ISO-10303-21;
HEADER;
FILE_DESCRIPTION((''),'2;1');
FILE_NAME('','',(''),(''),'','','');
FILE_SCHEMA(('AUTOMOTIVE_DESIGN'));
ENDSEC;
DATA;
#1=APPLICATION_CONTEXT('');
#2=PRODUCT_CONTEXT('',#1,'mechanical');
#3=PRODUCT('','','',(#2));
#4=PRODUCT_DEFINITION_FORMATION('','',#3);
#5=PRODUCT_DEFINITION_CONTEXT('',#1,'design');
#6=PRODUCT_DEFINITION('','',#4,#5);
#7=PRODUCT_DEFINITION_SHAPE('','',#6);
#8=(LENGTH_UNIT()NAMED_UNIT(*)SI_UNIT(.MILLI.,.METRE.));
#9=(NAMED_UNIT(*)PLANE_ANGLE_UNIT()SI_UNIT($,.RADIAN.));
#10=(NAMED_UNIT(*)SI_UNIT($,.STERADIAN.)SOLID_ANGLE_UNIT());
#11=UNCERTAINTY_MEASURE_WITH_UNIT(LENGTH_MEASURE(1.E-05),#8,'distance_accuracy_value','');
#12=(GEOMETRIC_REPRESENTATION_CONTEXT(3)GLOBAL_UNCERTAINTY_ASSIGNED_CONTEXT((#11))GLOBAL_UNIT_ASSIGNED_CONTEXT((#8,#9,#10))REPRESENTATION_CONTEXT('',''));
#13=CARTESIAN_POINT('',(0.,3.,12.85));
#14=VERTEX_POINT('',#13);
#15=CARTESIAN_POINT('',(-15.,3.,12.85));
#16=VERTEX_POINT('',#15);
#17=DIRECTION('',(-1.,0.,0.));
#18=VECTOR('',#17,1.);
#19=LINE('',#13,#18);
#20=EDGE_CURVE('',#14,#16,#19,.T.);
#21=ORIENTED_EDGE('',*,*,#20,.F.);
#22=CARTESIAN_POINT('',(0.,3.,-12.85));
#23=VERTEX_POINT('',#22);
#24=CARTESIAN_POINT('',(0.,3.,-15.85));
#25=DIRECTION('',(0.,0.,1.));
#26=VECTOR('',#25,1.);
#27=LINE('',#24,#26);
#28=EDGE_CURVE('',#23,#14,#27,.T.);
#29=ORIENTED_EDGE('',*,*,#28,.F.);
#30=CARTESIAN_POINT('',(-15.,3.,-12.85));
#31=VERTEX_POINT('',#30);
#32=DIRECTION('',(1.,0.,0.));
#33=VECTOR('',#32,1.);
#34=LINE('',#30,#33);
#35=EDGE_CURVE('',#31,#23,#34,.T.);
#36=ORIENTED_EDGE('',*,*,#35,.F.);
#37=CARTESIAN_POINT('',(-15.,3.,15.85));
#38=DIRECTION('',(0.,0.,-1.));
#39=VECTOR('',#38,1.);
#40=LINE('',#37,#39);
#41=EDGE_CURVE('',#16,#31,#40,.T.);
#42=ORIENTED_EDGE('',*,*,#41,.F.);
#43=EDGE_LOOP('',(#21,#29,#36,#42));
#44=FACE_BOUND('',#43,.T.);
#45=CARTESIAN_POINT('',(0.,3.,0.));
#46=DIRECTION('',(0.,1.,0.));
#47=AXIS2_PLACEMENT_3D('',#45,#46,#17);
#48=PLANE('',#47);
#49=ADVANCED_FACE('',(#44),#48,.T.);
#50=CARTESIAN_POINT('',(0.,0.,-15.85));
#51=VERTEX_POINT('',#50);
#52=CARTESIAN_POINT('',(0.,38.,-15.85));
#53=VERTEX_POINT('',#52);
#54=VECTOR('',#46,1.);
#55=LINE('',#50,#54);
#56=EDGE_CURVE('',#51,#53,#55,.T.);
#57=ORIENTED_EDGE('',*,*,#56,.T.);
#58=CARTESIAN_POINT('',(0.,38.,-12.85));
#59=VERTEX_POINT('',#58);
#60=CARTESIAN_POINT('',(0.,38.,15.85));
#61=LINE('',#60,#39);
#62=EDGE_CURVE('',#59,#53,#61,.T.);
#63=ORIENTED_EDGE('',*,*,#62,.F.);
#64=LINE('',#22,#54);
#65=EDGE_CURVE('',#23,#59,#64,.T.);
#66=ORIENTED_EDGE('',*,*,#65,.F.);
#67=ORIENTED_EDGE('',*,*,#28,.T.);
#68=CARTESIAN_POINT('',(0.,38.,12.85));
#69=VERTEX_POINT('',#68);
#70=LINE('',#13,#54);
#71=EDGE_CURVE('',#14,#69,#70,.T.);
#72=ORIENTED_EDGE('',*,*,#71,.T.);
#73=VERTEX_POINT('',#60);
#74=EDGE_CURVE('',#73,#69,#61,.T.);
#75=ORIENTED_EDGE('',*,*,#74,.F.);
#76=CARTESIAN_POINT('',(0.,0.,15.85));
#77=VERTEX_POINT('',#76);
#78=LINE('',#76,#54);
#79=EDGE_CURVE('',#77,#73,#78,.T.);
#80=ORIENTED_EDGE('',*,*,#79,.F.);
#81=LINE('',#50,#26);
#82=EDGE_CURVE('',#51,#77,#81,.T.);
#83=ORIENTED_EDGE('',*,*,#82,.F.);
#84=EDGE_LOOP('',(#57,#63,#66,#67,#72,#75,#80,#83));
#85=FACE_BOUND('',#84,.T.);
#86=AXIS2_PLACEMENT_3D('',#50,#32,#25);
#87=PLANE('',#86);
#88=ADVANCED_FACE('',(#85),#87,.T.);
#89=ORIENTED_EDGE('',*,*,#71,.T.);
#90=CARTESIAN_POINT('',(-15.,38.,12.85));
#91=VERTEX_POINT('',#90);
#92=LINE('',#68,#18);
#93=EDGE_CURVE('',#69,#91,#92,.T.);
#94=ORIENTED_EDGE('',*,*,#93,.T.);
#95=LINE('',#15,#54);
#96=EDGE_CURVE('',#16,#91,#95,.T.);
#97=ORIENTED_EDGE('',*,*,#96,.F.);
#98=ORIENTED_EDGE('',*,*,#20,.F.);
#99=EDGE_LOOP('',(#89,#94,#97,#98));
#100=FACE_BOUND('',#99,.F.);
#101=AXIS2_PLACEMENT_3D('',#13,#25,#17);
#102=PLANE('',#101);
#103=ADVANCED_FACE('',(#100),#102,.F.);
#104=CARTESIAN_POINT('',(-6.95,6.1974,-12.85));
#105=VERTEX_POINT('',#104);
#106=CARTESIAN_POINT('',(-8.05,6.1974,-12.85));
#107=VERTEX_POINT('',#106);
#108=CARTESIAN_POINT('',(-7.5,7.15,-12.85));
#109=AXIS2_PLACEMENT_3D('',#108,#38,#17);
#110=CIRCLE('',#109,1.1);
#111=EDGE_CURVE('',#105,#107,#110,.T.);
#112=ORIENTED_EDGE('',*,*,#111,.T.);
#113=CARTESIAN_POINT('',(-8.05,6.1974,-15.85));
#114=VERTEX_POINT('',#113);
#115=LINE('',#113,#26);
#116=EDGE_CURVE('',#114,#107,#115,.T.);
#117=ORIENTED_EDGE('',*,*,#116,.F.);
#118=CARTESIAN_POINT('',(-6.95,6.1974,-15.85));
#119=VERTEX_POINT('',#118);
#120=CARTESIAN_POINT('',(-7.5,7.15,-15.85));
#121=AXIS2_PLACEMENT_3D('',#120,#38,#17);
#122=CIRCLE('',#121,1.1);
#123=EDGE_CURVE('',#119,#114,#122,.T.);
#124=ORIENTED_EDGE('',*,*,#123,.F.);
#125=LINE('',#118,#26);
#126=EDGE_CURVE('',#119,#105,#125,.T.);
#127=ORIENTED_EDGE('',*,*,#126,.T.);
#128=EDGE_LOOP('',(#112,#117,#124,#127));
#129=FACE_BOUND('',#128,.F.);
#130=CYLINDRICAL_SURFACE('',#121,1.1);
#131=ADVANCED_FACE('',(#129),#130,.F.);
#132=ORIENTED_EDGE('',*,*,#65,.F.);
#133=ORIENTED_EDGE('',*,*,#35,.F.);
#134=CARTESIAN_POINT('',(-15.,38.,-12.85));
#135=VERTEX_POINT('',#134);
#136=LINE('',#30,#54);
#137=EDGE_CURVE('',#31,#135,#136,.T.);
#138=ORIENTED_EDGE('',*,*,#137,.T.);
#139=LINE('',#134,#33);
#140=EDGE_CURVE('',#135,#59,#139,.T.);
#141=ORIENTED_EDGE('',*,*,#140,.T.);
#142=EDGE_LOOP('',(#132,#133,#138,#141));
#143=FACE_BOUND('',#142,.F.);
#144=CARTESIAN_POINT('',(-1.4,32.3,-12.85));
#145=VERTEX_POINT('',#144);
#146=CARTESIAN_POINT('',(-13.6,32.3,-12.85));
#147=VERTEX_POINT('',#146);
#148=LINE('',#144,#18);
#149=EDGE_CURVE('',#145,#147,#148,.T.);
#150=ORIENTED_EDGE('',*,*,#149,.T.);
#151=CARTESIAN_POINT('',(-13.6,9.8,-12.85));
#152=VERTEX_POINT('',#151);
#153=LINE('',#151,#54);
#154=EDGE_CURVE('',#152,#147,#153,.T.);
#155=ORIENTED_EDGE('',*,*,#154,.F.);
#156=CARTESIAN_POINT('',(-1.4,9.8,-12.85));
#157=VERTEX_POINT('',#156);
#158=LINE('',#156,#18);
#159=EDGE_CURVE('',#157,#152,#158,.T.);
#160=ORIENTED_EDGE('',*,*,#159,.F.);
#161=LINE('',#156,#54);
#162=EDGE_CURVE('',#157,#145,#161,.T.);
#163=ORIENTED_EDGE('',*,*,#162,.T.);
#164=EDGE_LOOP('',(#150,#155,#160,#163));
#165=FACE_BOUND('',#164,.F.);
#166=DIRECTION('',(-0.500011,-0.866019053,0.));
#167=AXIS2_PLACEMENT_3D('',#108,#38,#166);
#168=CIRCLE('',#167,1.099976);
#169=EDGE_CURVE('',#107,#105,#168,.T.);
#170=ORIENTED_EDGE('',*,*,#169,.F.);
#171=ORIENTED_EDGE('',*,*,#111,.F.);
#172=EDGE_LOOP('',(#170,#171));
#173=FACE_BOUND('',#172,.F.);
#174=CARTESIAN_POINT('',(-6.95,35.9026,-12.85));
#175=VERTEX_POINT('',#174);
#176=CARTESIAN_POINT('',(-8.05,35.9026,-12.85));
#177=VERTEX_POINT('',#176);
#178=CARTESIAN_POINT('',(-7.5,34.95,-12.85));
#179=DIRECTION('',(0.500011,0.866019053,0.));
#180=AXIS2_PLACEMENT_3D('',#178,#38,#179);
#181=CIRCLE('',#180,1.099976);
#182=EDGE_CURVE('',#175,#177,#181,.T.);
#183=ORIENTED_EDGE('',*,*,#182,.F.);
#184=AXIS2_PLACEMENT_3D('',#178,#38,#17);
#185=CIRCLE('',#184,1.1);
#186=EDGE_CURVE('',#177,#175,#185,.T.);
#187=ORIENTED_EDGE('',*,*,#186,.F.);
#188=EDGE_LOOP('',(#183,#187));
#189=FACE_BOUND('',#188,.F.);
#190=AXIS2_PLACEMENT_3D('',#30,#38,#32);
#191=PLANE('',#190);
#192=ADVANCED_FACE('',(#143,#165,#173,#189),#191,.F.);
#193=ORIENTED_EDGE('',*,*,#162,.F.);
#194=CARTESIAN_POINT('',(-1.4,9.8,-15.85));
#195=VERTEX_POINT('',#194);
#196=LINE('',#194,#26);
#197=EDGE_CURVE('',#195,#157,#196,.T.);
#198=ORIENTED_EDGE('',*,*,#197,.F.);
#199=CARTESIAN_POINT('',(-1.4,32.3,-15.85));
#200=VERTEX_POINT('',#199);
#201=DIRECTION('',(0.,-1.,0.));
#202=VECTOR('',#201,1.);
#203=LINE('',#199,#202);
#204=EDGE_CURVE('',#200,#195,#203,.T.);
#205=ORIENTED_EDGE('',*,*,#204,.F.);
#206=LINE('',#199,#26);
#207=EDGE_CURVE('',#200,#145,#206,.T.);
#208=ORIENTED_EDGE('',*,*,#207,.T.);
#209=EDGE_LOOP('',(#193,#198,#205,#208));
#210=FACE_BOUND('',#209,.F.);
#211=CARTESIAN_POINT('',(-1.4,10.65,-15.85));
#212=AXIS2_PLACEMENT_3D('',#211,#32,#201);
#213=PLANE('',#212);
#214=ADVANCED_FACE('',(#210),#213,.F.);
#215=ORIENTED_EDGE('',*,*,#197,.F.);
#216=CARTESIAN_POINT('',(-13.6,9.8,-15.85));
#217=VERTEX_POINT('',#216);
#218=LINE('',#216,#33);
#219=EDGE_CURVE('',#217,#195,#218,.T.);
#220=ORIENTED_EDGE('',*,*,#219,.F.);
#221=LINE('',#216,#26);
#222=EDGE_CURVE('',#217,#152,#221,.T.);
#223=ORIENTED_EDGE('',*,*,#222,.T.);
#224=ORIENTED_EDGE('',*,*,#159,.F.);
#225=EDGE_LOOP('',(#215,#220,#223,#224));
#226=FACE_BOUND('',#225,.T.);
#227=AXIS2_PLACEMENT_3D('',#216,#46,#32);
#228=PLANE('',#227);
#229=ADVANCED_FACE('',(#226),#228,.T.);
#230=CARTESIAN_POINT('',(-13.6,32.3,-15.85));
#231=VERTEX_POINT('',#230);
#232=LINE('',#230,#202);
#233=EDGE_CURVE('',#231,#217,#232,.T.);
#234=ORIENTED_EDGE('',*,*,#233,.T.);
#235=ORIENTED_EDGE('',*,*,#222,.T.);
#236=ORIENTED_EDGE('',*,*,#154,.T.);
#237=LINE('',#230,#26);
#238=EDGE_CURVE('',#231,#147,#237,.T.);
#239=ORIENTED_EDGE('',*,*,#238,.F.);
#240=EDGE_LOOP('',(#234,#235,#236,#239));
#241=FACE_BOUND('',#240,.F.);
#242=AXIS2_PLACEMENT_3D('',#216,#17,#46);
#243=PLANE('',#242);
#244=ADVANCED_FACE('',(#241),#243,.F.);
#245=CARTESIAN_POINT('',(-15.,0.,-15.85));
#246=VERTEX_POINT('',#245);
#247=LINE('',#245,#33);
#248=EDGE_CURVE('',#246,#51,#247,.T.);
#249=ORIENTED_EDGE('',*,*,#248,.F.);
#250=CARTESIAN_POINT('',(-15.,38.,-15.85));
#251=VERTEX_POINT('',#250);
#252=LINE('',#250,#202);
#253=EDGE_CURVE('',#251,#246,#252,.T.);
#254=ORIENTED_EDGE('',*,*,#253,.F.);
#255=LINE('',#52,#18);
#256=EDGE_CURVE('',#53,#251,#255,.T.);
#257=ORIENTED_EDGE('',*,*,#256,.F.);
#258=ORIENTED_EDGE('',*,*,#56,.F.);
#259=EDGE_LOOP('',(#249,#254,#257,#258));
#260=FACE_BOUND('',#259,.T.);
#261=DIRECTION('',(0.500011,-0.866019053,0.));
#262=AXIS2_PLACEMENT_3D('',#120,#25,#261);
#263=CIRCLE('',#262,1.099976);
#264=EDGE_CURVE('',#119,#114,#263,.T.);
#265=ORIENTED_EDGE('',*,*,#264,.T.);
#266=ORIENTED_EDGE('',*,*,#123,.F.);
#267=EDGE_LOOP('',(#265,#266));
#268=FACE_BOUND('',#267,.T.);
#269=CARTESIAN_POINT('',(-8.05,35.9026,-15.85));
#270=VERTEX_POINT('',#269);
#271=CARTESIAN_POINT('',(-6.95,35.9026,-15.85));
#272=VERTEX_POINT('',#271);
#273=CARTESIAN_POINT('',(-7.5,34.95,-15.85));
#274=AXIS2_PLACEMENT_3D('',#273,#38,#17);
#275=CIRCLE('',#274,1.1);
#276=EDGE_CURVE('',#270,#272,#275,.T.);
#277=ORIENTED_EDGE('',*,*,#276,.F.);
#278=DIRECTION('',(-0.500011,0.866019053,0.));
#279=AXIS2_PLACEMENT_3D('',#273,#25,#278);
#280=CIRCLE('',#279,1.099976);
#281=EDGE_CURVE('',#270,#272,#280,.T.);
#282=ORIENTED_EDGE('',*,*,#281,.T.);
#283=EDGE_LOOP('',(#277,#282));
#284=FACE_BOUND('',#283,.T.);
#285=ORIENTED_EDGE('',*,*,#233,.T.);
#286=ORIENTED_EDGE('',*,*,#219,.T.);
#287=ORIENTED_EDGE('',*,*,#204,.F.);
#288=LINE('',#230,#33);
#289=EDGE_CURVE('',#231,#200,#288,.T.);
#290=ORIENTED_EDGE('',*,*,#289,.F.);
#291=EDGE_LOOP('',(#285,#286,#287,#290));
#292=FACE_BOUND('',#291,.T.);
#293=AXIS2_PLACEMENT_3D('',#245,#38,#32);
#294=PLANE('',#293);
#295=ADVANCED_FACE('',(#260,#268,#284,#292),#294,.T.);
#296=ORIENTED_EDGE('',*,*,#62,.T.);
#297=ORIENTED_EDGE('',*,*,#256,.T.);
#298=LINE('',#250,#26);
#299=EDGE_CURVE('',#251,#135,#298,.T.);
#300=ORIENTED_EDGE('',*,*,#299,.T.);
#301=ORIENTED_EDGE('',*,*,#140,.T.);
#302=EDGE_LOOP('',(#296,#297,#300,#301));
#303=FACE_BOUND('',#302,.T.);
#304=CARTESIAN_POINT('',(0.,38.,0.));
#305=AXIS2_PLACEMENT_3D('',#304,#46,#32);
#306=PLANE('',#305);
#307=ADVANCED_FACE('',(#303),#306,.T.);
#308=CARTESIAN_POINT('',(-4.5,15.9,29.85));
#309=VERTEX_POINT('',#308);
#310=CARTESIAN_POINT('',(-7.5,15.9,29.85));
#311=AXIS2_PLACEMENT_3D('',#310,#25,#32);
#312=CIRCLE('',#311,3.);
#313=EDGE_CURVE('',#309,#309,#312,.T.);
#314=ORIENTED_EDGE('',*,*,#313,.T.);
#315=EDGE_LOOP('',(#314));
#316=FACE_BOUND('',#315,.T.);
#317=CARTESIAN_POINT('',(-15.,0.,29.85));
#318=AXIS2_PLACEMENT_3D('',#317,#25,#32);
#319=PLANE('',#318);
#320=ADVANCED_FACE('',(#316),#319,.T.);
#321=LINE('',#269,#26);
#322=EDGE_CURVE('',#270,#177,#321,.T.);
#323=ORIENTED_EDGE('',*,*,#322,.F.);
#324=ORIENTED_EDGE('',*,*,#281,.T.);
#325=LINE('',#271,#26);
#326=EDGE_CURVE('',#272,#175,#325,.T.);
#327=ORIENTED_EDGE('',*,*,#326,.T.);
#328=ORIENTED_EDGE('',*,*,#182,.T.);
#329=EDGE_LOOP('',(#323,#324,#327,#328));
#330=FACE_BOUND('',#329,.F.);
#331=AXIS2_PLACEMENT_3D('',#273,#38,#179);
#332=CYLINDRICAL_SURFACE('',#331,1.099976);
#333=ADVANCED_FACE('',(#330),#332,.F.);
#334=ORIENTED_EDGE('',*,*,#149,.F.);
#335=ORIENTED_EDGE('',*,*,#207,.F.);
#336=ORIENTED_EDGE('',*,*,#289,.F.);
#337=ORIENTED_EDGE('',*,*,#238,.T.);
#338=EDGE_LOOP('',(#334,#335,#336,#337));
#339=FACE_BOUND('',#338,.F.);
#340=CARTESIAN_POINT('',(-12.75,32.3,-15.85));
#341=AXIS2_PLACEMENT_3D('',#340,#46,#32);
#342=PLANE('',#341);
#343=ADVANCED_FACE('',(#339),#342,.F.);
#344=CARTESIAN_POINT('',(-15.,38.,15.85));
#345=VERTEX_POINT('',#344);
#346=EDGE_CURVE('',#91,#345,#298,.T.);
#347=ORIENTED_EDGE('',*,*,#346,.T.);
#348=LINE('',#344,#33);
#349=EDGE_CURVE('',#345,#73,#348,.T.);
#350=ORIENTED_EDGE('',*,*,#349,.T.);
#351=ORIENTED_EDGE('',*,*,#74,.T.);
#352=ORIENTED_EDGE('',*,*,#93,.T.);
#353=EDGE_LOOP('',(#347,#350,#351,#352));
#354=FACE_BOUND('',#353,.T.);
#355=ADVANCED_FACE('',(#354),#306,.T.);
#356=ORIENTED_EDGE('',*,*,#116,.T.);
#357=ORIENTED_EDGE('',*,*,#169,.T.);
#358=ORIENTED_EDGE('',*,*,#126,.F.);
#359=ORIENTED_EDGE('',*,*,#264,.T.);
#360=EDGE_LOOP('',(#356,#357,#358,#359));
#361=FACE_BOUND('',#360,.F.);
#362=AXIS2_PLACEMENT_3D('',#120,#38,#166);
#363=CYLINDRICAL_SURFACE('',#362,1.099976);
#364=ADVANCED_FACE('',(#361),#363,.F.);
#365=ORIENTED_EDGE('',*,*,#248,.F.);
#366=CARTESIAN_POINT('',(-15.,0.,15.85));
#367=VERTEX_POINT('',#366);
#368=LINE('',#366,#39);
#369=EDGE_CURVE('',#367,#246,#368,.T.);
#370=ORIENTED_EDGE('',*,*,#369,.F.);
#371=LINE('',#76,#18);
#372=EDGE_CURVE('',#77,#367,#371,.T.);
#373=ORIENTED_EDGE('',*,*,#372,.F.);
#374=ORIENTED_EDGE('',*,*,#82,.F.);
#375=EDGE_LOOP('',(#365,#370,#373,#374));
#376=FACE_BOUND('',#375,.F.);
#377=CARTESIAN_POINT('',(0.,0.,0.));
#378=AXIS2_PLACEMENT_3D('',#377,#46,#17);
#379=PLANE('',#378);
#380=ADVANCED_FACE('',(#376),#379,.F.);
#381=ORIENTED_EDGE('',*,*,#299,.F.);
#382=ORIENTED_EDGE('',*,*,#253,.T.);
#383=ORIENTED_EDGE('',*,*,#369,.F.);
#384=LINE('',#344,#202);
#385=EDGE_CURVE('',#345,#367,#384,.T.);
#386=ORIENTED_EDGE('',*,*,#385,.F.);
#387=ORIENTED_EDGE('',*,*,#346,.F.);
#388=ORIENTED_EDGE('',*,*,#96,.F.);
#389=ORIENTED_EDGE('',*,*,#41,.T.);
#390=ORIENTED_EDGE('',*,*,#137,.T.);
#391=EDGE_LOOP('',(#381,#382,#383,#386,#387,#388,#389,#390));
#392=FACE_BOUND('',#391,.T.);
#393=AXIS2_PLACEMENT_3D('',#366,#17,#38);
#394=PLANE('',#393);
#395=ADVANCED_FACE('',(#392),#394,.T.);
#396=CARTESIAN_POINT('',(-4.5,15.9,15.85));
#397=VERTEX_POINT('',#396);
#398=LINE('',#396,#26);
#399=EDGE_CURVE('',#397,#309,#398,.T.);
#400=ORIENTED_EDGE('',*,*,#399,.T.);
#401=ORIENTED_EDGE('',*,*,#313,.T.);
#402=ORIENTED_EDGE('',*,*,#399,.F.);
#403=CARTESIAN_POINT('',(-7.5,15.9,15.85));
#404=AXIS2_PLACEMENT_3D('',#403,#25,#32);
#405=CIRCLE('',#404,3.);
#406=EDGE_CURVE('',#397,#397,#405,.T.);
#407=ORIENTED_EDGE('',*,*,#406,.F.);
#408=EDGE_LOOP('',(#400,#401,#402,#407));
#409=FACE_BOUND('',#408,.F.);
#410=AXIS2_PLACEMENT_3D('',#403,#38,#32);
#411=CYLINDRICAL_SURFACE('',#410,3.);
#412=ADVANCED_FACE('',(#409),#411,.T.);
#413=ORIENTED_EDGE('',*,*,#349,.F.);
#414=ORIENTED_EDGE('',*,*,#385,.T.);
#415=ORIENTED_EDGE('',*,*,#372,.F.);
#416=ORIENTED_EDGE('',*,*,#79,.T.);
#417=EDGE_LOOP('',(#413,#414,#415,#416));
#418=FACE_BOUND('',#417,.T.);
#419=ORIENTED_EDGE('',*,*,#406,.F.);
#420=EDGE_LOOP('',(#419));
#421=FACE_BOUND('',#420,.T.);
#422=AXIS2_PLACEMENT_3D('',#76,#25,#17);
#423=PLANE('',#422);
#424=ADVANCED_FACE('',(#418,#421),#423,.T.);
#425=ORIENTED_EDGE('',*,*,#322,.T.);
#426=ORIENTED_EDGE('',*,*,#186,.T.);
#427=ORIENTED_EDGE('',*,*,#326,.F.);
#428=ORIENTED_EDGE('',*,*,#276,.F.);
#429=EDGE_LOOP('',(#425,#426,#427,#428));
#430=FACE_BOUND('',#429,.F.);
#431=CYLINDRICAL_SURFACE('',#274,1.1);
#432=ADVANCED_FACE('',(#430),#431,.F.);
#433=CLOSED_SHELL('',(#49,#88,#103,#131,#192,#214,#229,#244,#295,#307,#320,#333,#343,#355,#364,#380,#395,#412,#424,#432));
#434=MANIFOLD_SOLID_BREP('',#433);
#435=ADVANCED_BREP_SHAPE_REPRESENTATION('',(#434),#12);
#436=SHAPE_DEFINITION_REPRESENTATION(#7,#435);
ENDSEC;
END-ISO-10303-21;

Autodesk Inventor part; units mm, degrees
ref_plane "YZ Plane" through (0, 0, 0) normal (1, 0, 0) x (0, 1, 0)
ref_plane "XZ Plane" through (0, 0, 0) normal (0, 1, 0) x (-1, 0, 0)
ref_plane "XY Plane" through (0, 0, 0) normal (0, 0, 1) x (1, 0, 0)
sketch "Sketch1" plane through (0, 0, 0) normal (0, 1, 0) x (-1, 0, 0)
  line L0 (0, 15.85) -> (15, 15.85)
  line L1 (15, 15.85) -> (15, -15.85)
  line L2 (15, -15.85) -> (0, -15.85)
  line L3 (0, -15.85) -> (0, 15.85)
  point P0 (0, 0)
extrude "Extrusion1" add sketch "Sketch1" along normal blind 3
sketch "Sketch2" plane through (0, 3, 0) normal (0, 1, 0) x (1, 0, 0)
  line L0 (-15, 15.85) -> (-15, -15.85) projected
  line L1 (0, -15.85) -> (0, 15.85) projected
  line L2 (-15, -15.85) -> (0, -15.85)
  line L3 (0, -15.85) -> (0, -12.85)
  line L4 (0, -12.85) -> (-15, -12.85)
  line L5 (-15, -12.85) -> (-15, -15.85)
  line L6 (0, 15.85) -> (-15, 15.85) projected
  line L7 (0, 15.85) -> (-15, 15.85)
  line L8 (-15, 15.85) -> (-15, 12.85)
  line L9 (-15, 12.85) -> (0, 12.85)
  line L10 (0, 12.85) -> (0, 15.85)
  point P0 (0, 0)
  dimension "d5" = 3
  dimension "d6" = 3
extrude "Extrusion2" add sketch "Sketch2" along normal blind 35 contours L6 L1 L9 L0 | L4 L1 L2 L0
sketch "Sketch4" plane through (0, 0, -15.85) normal (0, 0, -1) x (-1, 0, 0)
  arc A0 (8.05, 6.1974) -> (6.95, 6.1974) centre (7.5, 7.15) ccw
  line L0 (8.05, 5) -> (12.75, 5)
  line L1 (2.25, 5) -> (6.95, 5)
  line L2 (1.4, 10.65) -> (1.4, 5.85)
  line L3 (6.95, 37.1) -> (2.25, 37.1)
  line L4 (12.75, 37.1) -> (8.05, 37.1)
  arc A1 (6.95, 35.9026) -> (8.05, 35.9026) centre (7.5, 34.95) ccw
  line L5 (6.95, 37.1) -> (6.95, 35.9026)
  line L6 (8.05, 35.9026) -> (8.05, 37.1)
  line L7 (13.6, 31.45) -> (13.6, 36.25)
  line L8 (13.6, 5.85) -> (13.6, 10.65)
  arc A2 (12.75, 5) -> (13.6, 5.85) centre (12.75, 5.85) ccw
  line L9 (8.05, 5) -> (8.05, 6.1974)
  line L10 (6.95, 6.1974) -> (6.95, 5)
  arc A3 (1.4, 5.85) -> (2.25, 5) centre (2.25, 5.85) ccw
  arc A4 (2.25, 37.1) -> (1.4, 36.25) centre (2.25, 36.25) ccw
  line L11 (1.4, 36.25) -> (1.4, 31.45)
  line L12 (1.4, 27.762) -> (1.4, 31.45)
  line L13 (1.4, 10.65) -> (1.4, 24.638)
  circle A5 centre (7.5, 26.2) radius 2.25
  line L14 (13.6, 31.45) -> (13.6, 27.762)
  line L15 (13.6, 24.638) -> (13.6, 10.65)
  line L16 (2.25, 9.8) -> (12.75, 9.8)
  line L17 (12.75, 32.3) -> (2.25, 32.3)
  arc A6 (2.25, 32.3) -> (1.4, 31.45) centre (2.25, 31.45) ccw
  arc A7 (13.6, 31.45) -> (12.75, 32.3) centre (12.75, 31.45) ccw
  arc A8 (13.6, 36.25) -> (12.75, 37.1) centre (12.75, 36.25) ccw
  arc A9 (1.4, 10.65) -> (2.25, 9.8) centre (2.25, 10.65) ccw
  arc A10 (12.75, 9.8) -> (13.6, 10.65) centre (12.75, 10.65) ccw
  line L18 (13.6, 24.638) -> (13.6, 27.762)
  line L19 (1.4, 27.762) -> (1.4, 24.638)
  line L20 (0, 3) -> (15, 3) projected
  line L21 (15, 3) -> (0, 3)
  line L22 (0, 3) -> (0, 5)
  line L23 (0, 0) -> (0, 38) projected
  line L24 (0, 5) -> (15, 5)
  line L25 (15, 5) -> (15, 3)
  line L26 (15, 0) -> (15, 38) projected
  line L27 (7.5, 5) -> (7.5, 3)
  line L28 (8.05, 5) -> (6.95, 5)
  line L29 (7.5, 5) -> (7.5, 4.3316)
  line L30 (12.75, 37.1) -> (13.6, 37.1)
  line L31 (13.6, 37.1) -> (13.6, 36.25)
  line L32 (13.6, 5.85) -> (13.6, 5)
  line L33 (1.4, 5.85) -> (1.4, 5)
  line L34 (1.4, 36.25) -> (1.4, 37.1)
  line L35 (1.4, 37.1) -> (2.25, 37.1)
  line L36 (2.25, 32.3) -> (1.4, 32.3)
  line L37 (12.75, 32.3) -> (13.6, 32.3)
  line L38 (13.6, 10.65) -> (13.6, 9.8)
  line L39 (13.6, 9.8) -> (12.75, 9.8)
  line L40 (1.4, 9.8) -> (2.25, 9.8)
  circle A11 centre (7.5, 34.95) radius 1.1
  circle A12 centre (7.5, 7.15) radius 1.1
  point P0 (6.95, 6.1974)
  point P1 (8.05, 6.1974)
  point P2 (8.05, 35.9026)
  point P3 (6.95, 35.9026)
  dimension "d9" = 2
extrude "Extrusion3" cut sketch "Sketch4" against normal up to surface (3 mm away) contours A12 A0 | L39 A10 L8 | A10 L16 A9 L13 L19 L12 A6 L17 A7 L14 L18 L15 | L2 A9 L40 | A7 L37 L7 | L11 L36 A6 | A1 A11 | A5
sketch "Sketch6" plane through (-15, 0, 15.85) normal (0, 0, 1) x (1, 0, 0)
  circle A0 centre (7.5, 15.9) radius 3
  line L0 (0, 0) -> (0, 38)
  line L1 (0, 0) -> (15, 0)
  line L2 (15, 0) -> (15, 38)
extrude "Extrusion5" add sketch "Sketch6" along normal blind 14
properties part number "head_p2"
